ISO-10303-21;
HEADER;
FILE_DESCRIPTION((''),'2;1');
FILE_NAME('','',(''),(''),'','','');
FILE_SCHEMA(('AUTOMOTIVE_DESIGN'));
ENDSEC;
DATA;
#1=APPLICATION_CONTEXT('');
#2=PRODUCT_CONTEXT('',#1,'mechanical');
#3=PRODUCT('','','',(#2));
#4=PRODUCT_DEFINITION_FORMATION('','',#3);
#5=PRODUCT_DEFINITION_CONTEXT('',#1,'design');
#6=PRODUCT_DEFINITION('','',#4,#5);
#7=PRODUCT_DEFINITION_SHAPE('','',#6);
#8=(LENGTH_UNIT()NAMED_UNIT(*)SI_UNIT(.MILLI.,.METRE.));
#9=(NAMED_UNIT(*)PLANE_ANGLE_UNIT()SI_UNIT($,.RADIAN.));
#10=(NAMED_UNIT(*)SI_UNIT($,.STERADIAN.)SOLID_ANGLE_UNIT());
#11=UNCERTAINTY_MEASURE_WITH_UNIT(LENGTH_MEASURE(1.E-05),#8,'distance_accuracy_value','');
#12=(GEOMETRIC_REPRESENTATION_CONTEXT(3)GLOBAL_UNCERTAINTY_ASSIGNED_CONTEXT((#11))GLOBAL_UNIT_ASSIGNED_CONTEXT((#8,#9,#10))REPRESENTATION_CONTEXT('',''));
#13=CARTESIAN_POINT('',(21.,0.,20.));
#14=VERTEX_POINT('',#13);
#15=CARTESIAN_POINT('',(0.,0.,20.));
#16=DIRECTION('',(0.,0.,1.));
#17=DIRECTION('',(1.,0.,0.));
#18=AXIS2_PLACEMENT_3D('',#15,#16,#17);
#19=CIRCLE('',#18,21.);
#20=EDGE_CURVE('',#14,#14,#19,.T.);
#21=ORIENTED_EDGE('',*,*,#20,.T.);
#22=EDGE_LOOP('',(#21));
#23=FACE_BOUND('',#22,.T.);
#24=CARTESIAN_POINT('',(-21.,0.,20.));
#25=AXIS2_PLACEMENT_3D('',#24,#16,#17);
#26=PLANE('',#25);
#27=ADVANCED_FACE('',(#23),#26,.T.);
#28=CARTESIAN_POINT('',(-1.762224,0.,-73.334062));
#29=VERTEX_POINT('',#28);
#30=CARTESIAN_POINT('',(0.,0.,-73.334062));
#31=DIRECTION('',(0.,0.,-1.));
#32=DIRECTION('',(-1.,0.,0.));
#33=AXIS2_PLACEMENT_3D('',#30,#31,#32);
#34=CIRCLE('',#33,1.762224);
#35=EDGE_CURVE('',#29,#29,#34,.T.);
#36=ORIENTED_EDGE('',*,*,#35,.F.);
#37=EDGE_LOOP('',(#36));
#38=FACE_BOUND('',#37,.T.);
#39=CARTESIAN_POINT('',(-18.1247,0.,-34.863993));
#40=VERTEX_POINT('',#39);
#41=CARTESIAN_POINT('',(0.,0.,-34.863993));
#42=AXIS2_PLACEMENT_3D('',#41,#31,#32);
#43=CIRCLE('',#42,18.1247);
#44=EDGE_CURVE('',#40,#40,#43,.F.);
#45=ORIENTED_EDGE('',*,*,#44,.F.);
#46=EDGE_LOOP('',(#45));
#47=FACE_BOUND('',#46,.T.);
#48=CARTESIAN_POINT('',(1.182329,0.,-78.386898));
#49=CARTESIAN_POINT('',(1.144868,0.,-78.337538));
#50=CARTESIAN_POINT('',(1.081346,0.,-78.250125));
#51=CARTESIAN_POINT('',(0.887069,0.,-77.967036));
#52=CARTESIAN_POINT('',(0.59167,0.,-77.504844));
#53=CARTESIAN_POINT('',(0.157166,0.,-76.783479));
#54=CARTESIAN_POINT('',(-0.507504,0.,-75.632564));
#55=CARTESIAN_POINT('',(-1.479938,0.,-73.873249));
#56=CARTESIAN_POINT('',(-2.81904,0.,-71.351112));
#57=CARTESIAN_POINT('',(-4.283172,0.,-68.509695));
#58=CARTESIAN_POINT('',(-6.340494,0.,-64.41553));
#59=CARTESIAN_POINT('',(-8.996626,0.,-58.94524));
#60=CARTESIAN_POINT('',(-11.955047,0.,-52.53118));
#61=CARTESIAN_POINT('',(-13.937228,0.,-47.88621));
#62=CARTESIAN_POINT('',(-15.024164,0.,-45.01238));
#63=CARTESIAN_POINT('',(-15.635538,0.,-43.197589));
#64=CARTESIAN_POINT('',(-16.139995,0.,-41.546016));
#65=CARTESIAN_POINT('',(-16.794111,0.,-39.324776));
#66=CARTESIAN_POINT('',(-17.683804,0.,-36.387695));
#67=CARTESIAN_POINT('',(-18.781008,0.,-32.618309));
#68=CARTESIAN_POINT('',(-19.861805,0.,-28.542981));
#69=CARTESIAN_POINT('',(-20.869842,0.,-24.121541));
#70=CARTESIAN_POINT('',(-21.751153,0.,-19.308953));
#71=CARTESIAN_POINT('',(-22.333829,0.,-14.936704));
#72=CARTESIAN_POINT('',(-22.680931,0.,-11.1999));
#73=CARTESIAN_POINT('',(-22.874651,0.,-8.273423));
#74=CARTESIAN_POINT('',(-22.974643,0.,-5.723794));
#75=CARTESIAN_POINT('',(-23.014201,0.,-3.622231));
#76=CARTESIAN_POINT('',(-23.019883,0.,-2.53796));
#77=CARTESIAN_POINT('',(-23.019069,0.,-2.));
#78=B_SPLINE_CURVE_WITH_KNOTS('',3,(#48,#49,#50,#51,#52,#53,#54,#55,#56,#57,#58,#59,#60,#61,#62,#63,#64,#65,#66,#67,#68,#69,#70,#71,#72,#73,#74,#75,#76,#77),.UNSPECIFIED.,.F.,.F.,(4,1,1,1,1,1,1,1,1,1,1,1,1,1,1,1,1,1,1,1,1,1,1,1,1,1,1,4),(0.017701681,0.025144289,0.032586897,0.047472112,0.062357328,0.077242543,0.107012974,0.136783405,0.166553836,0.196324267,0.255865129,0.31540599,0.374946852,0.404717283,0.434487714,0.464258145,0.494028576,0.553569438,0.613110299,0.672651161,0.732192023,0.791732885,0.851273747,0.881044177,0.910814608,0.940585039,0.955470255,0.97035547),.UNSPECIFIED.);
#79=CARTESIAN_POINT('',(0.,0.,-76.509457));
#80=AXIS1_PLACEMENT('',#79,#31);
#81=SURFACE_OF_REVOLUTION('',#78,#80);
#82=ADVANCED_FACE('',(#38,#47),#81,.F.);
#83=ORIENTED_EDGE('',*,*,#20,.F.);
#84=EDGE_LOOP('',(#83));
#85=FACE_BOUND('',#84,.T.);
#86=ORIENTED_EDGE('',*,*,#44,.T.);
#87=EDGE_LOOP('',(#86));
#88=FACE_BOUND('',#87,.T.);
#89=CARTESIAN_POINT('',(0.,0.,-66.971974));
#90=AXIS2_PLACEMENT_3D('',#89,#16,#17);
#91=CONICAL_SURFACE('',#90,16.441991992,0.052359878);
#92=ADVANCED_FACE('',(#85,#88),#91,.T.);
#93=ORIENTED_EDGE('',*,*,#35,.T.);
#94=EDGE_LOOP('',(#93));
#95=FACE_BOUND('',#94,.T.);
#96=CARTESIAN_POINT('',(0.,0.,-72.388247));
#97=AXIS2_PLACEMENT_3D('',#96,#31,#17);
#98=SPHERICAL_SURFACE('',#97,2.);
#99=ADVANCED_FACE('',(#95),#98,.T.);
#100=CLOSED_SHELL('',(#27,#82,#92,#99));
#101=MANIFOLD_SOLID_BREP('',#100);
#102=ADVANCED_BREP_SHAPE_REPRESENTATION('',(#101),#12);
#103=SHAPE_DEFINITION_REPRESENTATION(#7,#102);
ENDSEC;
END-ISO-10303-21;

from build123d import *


with BuildPart() as part:
    # Эскиз1 → Повернуть1 (revolve)
    with BuildSketch(Plane(origin=(0, 0, 0), x_dir=(1, 0, 0), z_dir=(0, 1, 0))):
        with BuildLine():
            Line((-21, -20), (0, -20))
            Line((0, -20), (0, 76.509456591))
            add(Edge.make_bspline(
                [(-21, 23.303526799), (-20.950151988, 23.55619715), (-20.588242456, 25.356689417), (-19.861805291, 28.542980585), (-18.781007648, 32.618309393), (-17.683803917, 36.387694686), (-16.794111183, 39.324775715), (-16.139995318, 41.546015667), (-15.635538449, 43.197589032), (-15.024163935, 45.012380328), (-13.937228163, 47.886209516), (-11.955046686, 52.531179902), (-8.996626021, 58.945239937), (-6.340494309, 64.415530495), (-4.283171781, 68.509695264), (-2.81904039, 71.351111958), (-1.479938004, 73.873249362), (-0.567336195, 75.524317414), (-0.112134261, 76.316693352), (0, 76.509456591)],
                knots=[0.246223276, 0.246223276, 0.246223276, 0.246223276, 0.255865129, 0.31540599, 0.374946852, 0.434487714, 0.494028576, 0.523799007, 0.553569438, 0.583339868, 0.613110299, 0.672651161, 0.732192023, 0.791732885, 0.821503316, 0.851273747, 0.881044177, 0.910814608, 0.921120543, 0.921120543, 0.921120543, 0.921120543], degree=3))
            Line((-21, 23.303526799), (-21, -20))
        make_face()
    revolve(axis=Axis((0, 0, -76.509456591), (0, 0, 1)))

    # Эскиз2 → Вырез-Повернуть1 (revolve, cut)
    with BuildSketch(Plane(origin=(0, 0, 0), x_dir=(1, 0, 0), z_dir=(0, 1, 0))):
        Polygon((21, -20), (21, 66.971973821), (16.441991992, 66.971973821), align=None)
    revolve(axis=Axis((0, 0, 20), (0, 0, -1)), mode=Mode.SUBTRACT)

    # Эскиз3 → Вырез-Повернуть2 (revolve, cut)
    with BuildSketch(Plane(origin=(0, 0, 0), x_dir=(1, 0, 0), z_dir=(0, 1, 0))):
        with BuildLine():
            Line((1e-08, 76.509474859), (1e-08, 74.388246536))
            ThreePointArc((1e-08, 74.388246536), (1.026734817, 74.10458439), (1.762223825, 73.334062167))
            Line((1.762223825, 73.334062167), (4.025925166, 73.334062167))
            Line((4.025925166, 73.334062167), (4.025925166, 76.509474859))
            Line((4.025925166, 76.509474859), (1e-08, 76.509474859))
        make_face()
    revolve(axis=Axis((1e-08, 0, -76.509474859), (0, 0, 1)), mode=Mode.SUBTRACT)


solid = part.part
